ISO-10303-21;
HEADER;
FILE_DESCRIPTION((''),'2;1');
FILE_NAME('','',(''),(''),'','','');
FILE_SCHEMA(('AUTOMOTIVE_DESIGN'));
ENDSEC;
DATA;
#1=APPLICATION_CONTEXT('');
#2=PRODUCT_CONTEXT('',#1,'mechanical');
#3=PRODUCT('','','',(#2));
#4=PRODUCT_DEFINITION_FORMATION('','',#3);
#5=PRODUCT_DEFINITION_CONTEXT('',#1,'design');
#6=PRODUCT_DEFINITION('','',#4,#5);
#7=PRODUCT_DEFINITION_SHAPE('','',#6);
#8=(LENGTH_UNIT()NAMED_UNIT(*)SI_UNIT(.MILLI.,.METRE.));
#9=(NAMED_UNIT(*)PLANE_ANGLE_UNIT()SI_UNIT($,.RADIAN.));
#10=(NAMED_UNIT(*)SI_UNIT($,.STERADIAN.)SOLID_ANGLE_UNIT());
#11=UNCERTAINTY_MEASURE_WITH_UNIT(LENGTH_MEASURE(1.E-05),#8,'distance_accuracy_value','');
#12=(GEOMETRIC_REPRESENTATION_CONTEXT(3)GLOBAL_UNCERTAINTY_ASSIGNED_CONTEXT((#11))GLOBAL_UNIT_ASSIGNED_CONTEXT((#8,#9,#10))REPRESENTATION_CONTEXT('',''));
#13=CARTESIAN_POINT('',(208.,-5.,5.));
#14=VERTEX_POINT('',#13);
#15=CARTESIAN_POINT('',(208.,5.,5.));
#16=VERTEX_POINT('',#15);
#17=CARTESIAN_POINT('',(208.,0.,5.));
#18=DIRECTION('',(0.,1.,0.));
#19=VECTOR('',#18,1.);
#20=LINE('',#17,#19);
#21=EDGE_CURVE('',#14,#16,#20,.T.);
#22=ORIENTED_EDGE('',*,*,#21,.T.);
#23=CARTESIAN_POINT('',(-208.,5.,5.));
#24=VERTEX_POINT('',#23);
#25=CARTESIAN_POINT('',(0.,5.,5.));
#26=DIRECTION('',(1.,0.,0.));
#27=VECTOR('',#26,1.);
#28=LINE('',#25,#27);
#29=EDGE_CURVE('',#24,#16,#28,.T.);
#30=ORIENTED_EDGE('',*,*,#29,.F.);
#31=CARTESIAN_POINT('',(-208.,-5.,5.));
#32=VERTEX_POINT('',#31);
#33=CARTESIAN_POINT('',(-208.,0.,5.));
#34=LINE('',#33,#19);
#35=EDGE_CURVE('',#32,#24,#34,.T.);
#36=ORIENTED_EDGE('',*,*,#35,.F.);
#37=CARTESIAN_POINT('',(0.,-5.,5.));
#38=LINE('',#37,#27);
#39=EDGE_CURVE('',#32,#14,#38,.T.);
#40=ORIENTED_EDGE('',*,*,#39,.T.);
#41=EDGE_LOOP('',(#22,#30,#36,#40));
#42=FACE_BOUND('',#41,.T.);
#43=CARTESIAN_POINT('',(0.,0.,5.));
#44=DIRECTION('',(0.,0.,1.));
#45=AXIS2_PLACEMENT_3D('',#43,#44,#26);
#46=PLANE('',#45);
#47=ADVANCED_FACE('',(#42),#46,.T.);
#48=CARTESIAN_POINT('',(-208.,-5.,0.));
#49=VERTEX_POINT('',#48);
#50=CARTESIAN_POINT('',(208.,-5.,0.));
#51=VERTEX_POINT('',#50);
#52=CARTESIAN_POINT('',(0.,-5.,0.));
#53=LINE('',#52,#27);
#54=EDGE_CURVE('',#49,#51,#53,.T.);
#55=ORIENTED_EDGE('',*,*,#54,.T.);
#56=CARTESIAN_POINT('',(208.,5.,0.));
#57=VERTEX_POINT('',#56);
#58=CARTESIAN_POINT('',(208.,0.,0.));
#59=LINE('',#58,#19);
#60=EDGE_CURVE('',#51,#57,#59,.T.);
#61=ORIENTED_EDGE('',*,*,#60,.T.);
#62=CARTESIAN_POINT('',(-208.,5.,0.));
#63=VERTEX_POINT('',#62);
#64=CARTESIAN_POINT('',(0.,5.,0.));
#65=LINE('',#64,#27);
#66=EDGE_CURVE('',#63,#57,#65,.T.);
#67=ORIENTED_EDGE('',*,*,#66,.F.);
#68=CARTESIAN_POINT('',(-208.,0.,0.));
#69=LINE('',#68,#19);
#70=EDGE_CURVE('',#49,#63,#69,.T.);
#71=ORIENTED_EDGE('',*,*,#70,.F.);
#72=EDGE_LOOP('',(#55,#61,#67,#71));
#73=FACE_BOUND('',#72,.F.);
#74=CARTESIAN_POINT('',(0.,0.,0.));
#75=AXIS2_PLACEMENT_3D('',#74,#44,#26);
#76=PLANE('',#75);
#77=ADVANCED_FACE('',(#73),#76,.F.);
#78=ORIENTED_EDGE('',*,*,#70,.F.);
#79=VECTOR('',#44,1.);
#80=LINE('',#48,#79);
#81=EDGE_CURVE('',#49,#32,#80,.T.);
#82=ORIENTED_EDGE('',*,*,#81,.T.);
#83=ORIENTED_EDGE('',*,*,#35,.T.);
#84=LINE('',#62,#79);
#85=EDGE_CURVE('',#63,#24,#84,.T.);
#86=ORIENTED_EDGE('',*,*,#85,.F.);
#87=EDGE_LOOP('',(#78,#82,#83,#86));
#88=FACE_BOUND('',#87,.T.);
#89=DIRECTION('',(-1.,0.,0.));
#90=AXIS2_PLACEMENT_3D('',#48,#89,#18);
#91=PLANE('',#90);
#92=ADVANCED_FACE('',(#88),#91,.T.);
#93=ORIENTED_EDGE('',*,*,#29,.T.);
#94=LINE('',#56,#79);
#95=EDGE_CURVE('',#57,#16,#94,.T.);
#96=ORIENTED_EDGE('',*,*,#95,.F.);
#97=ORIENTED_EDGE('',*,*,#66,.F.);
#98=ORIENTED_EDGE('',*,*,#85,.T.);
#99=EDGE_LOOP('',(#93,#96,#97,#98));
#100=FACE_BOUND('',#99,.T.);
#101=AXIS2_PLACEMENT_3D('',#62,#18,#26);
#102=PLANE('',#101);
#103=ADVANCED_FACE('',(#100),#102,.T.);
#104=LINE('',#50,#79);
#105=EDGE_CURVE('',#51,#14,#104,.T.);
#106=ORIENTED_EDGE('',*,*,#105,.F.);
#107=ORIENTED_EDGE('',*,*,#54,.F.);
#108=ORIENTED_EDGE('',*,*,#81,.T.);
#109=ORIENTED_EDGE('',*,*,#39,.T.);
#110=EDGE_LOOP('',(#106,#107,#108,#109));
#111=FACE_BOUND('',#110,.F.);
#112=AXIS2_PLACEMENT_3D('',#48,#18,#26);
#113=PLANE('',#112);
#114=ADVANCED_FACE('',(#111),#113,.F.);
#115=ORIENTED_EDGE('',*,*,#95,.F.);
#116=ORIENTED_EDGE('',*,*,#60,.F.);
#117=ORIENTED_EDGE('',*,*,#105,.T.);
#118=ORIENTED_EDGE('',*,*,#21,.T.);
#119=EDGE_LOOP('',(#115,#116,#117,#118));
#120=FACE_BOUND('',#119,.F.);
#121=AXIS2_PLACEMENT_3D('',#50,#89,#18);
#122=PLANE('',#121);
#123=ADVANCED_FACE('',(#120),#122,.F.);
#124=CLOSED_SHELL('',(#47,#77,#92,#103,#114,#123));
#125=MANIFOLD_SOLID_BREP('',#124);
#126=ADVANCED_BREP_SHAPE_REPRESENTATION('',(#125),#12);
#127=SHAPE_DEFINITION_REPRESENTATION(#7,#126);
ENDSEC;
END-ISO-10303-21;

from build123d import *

# Parameters (mm, degrees)
SKETCH1_W           = 416
SKETCH1_H           = 10
BOSS_EXTRUDE1_DEPTH = 5


with BuildPart() as part:
    # Sketch1 → Boss-Extrude1 (new body)
    with BuildSketch(Plane.XY):
        Rectangle(SKETCH1_W, SKETCH1_H)
    extrude(amount=BOSS_EXTRUDE1_DEPTH)


solid = part.part
